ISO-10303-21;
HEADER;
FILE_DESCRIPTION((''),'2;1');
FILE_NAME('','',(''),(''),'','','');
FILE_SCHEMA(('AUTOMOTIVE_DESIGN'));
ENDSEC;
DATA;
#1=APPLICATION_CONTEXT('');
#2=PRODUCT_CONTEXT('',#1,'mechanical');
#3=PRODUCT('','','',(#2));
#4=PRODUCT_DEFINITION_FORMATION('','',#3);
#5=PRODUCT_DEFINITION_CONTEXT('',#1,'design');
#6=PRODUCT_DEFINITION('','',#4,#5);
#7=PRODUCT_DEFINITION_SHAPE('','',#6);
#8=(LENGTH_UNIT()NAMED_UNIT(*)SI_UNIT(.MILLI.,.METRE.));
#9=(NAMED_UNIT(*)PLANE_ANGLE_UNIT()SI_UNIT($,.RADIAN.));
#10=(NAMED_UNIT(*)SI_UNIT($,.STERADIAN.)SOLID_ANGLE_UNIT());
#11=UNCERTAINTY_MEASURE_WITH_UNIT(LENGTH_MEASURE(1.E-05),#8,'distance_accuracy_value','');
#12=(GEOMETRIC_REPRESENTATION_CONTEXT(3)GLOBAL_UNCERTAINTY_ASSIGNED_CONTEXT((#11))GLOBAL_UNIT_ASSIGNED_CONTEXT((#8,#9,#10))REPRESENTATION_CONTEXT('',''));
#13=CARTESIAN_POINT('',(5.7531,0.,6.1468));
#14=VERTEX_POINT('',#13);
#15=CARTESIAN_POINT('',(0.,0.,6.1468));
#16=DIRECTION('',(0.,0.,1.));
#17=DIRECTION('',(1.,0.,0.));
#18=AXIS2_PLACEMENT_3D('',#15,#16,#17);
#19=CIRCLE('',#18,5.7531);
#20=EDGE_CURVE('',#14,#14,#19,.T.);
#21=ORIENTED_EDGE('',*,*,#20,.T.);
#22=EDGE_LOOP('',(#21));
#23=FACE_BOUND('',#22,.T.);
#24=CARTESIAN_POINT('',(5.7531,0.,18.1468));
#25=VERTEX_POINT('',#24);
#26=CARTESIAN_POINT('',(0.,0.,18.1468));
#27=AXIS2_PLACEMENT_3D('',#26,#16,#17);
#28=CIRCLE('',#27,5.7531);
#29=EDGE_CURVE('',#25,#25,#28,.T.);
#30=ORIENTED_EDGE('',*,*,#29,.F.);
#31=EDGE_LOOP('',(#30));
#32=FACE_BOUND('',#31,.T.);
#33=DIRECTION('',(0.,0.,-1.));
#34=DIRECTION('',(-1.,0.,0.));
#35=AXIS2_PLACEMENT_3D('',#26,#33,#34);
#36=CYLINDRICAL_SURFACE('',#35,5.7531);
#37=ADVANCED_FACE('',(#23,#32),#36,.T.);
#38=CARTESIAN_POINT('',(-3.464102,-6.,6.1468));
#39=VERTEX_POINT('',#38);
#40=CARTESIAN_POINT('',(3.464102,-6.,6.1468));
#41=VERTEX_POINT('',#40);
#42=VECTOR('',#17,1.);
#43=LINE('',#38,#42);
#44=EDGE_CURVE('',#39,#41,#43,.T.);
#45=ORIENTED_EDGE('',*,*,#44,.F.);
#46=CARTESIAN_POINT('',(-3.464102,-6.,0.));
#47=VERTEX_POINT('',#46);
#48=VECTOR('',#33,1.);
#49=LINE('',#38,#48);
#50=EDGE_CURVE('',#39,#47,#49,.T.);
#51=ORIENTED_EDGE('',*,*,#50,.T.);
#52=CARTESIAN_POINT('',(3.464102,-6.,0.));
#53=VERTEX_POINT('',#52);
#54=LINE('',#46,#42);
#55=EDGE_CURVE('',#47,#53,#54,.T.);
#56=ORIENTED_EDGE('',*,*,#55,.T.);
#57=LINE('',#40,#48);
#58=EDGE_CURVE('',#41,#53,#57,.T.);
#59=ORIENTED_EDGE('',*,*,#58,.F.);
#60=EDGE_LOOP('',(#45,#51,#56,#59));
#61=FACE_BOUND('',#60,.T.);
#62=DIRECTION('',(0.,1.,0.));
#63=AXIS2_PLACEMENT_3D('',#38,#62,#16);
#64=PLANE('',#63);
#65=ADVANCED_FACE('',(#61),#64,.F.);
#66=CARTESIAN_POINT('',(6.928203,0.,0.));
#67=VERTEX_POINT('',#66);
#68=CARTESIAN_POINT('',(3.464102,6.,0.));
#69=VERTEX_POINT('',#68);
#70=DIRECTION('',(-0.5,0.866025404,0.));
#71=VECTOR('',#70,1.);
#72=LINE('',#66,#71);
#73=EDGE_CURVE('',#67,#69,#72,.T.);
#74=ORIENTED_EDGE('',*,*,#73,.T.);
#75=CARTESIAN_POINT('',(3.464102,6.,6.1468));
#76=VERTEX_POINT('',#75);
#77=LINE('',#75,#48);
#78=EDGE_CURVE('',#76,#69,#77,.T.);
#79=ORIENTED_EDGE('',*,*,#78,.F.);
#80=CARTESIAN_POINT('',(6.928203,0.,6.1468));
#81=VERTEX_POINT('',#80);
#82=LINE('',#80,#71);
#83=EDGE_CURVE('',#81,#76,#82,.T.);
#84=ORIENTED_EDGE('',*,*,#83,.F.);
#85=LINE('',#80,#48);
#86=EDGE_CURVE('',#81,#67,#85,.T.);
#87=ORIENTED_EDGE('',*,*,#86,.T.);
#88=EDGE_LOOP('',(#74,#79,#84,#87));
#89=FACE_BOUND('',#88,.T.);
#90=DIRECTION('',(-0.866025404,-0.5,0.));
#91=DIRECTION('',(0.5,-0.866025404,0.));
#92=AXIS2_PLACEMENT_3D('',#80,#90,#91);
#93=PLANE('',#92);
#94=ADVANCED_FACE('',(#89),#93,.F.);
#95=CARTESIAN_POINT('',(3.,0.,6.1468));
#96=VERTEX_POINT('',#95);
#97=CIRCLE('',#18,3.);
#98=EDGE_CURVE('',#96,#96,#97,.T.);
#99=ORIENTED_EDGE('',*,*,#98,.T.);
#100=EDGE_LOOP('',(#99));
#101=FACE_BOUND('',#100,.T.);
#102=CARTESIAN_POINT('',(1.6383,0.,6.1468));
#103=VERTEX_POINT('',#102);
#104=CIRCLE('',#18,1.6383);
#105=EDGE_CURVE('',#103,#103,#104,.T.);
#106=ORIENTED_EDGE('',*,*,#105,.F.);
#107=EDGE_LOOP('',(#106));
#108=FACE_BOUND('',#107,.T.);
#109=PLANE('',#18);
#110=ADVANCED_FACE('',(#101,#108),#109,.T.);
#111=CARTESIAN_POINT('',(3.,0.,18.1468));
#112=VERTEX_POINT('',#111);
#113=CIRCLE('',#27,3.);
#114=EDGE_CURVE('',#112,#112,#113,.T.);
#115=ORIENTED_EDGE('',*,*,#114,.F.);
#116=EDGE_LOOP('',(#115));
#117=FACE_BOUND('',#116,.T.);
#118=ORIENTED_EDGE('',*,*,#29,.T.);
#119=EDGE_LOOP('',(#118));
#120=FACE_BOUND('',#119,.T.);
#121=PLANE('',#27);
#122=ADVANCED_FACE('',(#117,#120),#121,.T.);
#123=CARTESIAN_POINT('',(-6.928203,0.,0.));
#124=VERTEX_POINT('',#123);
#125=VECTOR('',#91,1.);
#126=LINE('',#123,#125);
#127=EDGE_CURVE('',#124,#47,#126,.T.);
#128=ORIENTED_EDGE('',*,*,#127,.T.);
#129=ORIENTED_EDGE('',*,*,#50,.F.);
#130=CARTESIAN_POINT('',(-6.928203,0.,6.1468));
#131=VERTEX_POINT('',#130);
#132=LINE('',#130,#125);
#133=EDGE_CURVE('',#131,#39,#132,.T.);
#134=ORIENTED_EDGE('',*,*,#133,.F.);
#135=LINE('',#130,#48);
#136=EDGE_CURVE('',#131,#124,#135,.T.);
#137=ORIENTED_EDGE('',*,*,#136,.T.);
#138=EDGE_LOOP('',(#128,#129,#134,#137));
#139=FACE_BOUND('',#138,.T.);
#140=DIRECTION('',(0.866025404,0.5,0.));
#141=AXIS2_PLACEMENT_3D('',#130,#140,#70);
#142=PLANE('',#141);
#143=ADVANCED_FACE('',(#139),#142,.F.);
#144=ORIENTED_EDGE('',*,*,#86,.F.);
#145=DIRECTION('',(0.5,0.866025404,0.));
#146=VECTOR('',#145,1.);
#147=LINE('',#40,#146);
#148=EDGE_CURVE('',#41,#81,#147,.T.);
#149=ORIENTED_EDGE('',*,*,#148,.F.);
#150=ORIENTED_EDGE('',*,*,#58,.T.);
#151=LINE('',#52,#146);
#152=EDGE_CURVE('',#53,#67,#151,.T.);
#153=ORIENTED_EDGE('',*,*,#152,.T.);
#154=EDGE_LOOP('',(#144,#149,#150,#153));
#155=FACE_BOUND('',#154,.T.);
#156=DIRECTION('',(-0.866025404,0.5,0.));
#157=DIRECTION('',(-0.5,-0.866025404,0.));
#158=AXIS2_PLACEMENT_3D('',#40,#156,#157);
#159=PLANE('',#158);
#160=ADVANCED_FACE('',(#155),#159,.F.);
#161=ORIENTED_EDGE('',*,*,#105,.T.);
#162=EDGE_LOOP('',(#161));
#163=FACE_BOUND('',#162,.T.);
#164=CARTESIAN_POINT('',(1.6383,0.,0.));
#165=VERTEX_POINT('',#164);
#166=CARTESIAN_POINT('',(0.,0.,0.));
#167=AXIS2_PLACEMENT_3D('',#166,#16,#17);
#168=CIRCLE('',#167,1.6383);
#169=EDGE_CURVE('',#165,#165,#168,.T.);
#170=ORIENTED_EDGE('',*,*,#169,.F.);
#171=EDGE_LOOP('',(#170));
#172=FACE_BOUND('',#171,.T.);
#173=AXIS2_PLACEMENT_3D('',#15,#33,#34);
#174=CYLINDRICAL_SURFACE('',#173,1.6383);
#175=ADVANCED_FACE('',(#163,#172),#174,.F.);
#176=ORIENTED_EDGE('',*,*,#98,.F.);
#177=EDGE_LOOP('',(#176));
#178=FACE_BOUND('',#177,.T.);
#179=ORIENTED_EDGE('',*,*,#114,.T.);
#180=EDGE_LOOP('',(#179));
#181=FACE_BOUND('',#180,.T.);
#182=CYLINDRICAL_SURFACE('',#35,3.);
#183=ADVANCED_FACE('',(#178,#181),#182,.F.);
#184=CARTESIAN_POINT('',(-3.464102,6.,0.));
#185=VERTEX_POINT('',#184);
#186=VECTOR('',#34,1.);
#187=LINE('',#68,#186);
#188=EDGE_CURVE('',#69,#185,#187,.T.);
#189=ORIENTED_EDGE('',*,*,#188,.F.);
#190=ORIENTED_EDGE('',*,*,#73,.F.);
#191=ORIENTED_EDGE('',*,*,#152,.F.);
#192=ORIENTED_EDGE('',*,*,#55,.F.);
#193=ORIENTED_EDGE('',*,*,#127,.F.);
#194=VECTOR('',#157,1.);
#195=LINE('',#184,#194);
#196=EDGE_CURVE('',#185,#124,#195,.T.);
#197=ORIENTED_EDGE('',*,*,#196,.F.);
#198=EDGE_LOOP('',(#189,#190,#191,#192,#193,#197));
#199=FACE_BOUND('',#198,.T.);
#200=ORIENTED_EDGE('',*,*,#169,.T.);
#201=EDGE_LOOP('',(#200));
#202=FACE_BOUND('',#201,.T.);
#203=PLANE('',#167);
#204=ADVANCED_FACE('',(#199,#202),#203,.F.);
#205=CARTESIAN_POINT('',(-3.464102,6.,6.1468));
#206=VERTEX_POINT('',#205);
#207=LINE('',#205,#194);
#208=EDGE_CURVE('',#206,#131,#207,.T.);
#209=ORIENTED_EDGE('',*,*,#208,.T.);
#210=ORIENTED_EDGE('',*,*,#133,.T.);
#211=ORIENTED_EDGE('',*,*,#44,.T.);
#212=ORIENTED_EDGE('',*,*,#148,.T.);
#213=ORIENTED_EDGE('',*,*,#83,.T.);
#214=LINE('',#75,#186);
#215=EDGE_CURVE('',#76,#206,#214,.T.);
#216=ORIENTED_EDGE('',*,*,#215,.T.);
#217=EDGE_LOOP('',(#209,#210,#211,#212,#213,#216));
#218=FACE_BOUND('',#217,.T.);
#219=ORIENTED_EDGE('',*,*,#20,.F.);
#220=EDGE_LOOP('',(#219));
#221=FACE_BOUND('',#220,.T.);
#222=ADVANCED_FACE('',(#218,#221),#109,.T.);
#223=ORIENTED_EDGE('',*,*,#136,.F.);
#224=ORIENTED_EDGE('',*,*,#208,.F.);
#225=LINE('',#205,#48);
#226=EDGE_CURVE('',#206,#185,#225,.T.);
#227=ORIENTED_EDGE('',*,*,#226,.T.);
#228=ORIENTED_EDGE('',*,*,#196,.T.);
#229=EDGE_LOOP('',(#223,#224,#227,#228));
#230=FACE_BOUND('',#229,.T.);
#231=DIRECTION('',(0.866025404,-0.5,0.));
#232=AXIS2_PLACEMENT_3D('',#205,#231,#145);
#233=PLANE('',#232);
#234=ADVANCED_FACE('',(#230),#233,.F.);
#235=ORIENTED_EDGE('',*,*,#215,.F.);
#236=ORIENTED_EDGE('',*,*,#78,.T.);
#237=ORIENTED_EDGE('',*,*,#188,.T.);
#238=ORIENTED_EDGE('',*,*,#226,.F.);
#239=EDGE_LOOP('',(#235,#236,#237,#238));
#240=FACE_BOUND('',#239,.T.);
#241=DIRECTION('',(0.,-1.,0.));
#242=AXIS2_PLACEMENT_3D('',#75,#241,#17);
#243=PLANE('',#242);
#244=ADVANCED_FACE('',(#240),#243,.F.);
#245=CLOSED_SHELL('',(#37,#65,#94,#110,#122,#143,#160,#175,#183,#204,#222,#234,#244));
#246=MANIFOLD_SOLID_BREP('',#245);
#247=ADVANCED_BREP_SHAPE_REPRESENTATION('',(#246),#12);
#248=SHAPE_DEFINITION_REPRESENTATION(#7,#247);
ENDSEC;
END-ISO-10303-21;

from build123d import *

# Parameters (mm, degrees)
SKETCH1_R           = 1.6383
BOSS_EXTRUDE1_DEPTH = 6.1468
SKETCH2_R           = 5.7531
SKETCH2_R_2         = 3
BOSS_EXTRUDE2_DEPTH = 12


with BuildPart() as part:
    # Sketch1 → Boss-Extrude1 (new body)
    with BuildSketch(Plane.XY):
        Polygon((6.92820323, 0), (3.464101615, 6), (-3.464101615, 6), (-6.92820323, 0), (-3.464101615, -6), (3.464101615, -6), align=None)
        Circle(SKETCH1_R, mode=Mode.SUBTRACT)
    extrude(amount=BOSS_EXTRUDE1_DEPTH)

    # Sketch2 → Boss-Extrude2 (add)
    with BuildSketch(Plane.XY.offset(6.1468)):
        Circle(SKETCH2_R)
        Circle(SKETCH2_R_2, mode=Mode.SUBTRACT)
    extrude(amount=BOSS_EXTRUDE2_DEPTH)


solid = part.part
